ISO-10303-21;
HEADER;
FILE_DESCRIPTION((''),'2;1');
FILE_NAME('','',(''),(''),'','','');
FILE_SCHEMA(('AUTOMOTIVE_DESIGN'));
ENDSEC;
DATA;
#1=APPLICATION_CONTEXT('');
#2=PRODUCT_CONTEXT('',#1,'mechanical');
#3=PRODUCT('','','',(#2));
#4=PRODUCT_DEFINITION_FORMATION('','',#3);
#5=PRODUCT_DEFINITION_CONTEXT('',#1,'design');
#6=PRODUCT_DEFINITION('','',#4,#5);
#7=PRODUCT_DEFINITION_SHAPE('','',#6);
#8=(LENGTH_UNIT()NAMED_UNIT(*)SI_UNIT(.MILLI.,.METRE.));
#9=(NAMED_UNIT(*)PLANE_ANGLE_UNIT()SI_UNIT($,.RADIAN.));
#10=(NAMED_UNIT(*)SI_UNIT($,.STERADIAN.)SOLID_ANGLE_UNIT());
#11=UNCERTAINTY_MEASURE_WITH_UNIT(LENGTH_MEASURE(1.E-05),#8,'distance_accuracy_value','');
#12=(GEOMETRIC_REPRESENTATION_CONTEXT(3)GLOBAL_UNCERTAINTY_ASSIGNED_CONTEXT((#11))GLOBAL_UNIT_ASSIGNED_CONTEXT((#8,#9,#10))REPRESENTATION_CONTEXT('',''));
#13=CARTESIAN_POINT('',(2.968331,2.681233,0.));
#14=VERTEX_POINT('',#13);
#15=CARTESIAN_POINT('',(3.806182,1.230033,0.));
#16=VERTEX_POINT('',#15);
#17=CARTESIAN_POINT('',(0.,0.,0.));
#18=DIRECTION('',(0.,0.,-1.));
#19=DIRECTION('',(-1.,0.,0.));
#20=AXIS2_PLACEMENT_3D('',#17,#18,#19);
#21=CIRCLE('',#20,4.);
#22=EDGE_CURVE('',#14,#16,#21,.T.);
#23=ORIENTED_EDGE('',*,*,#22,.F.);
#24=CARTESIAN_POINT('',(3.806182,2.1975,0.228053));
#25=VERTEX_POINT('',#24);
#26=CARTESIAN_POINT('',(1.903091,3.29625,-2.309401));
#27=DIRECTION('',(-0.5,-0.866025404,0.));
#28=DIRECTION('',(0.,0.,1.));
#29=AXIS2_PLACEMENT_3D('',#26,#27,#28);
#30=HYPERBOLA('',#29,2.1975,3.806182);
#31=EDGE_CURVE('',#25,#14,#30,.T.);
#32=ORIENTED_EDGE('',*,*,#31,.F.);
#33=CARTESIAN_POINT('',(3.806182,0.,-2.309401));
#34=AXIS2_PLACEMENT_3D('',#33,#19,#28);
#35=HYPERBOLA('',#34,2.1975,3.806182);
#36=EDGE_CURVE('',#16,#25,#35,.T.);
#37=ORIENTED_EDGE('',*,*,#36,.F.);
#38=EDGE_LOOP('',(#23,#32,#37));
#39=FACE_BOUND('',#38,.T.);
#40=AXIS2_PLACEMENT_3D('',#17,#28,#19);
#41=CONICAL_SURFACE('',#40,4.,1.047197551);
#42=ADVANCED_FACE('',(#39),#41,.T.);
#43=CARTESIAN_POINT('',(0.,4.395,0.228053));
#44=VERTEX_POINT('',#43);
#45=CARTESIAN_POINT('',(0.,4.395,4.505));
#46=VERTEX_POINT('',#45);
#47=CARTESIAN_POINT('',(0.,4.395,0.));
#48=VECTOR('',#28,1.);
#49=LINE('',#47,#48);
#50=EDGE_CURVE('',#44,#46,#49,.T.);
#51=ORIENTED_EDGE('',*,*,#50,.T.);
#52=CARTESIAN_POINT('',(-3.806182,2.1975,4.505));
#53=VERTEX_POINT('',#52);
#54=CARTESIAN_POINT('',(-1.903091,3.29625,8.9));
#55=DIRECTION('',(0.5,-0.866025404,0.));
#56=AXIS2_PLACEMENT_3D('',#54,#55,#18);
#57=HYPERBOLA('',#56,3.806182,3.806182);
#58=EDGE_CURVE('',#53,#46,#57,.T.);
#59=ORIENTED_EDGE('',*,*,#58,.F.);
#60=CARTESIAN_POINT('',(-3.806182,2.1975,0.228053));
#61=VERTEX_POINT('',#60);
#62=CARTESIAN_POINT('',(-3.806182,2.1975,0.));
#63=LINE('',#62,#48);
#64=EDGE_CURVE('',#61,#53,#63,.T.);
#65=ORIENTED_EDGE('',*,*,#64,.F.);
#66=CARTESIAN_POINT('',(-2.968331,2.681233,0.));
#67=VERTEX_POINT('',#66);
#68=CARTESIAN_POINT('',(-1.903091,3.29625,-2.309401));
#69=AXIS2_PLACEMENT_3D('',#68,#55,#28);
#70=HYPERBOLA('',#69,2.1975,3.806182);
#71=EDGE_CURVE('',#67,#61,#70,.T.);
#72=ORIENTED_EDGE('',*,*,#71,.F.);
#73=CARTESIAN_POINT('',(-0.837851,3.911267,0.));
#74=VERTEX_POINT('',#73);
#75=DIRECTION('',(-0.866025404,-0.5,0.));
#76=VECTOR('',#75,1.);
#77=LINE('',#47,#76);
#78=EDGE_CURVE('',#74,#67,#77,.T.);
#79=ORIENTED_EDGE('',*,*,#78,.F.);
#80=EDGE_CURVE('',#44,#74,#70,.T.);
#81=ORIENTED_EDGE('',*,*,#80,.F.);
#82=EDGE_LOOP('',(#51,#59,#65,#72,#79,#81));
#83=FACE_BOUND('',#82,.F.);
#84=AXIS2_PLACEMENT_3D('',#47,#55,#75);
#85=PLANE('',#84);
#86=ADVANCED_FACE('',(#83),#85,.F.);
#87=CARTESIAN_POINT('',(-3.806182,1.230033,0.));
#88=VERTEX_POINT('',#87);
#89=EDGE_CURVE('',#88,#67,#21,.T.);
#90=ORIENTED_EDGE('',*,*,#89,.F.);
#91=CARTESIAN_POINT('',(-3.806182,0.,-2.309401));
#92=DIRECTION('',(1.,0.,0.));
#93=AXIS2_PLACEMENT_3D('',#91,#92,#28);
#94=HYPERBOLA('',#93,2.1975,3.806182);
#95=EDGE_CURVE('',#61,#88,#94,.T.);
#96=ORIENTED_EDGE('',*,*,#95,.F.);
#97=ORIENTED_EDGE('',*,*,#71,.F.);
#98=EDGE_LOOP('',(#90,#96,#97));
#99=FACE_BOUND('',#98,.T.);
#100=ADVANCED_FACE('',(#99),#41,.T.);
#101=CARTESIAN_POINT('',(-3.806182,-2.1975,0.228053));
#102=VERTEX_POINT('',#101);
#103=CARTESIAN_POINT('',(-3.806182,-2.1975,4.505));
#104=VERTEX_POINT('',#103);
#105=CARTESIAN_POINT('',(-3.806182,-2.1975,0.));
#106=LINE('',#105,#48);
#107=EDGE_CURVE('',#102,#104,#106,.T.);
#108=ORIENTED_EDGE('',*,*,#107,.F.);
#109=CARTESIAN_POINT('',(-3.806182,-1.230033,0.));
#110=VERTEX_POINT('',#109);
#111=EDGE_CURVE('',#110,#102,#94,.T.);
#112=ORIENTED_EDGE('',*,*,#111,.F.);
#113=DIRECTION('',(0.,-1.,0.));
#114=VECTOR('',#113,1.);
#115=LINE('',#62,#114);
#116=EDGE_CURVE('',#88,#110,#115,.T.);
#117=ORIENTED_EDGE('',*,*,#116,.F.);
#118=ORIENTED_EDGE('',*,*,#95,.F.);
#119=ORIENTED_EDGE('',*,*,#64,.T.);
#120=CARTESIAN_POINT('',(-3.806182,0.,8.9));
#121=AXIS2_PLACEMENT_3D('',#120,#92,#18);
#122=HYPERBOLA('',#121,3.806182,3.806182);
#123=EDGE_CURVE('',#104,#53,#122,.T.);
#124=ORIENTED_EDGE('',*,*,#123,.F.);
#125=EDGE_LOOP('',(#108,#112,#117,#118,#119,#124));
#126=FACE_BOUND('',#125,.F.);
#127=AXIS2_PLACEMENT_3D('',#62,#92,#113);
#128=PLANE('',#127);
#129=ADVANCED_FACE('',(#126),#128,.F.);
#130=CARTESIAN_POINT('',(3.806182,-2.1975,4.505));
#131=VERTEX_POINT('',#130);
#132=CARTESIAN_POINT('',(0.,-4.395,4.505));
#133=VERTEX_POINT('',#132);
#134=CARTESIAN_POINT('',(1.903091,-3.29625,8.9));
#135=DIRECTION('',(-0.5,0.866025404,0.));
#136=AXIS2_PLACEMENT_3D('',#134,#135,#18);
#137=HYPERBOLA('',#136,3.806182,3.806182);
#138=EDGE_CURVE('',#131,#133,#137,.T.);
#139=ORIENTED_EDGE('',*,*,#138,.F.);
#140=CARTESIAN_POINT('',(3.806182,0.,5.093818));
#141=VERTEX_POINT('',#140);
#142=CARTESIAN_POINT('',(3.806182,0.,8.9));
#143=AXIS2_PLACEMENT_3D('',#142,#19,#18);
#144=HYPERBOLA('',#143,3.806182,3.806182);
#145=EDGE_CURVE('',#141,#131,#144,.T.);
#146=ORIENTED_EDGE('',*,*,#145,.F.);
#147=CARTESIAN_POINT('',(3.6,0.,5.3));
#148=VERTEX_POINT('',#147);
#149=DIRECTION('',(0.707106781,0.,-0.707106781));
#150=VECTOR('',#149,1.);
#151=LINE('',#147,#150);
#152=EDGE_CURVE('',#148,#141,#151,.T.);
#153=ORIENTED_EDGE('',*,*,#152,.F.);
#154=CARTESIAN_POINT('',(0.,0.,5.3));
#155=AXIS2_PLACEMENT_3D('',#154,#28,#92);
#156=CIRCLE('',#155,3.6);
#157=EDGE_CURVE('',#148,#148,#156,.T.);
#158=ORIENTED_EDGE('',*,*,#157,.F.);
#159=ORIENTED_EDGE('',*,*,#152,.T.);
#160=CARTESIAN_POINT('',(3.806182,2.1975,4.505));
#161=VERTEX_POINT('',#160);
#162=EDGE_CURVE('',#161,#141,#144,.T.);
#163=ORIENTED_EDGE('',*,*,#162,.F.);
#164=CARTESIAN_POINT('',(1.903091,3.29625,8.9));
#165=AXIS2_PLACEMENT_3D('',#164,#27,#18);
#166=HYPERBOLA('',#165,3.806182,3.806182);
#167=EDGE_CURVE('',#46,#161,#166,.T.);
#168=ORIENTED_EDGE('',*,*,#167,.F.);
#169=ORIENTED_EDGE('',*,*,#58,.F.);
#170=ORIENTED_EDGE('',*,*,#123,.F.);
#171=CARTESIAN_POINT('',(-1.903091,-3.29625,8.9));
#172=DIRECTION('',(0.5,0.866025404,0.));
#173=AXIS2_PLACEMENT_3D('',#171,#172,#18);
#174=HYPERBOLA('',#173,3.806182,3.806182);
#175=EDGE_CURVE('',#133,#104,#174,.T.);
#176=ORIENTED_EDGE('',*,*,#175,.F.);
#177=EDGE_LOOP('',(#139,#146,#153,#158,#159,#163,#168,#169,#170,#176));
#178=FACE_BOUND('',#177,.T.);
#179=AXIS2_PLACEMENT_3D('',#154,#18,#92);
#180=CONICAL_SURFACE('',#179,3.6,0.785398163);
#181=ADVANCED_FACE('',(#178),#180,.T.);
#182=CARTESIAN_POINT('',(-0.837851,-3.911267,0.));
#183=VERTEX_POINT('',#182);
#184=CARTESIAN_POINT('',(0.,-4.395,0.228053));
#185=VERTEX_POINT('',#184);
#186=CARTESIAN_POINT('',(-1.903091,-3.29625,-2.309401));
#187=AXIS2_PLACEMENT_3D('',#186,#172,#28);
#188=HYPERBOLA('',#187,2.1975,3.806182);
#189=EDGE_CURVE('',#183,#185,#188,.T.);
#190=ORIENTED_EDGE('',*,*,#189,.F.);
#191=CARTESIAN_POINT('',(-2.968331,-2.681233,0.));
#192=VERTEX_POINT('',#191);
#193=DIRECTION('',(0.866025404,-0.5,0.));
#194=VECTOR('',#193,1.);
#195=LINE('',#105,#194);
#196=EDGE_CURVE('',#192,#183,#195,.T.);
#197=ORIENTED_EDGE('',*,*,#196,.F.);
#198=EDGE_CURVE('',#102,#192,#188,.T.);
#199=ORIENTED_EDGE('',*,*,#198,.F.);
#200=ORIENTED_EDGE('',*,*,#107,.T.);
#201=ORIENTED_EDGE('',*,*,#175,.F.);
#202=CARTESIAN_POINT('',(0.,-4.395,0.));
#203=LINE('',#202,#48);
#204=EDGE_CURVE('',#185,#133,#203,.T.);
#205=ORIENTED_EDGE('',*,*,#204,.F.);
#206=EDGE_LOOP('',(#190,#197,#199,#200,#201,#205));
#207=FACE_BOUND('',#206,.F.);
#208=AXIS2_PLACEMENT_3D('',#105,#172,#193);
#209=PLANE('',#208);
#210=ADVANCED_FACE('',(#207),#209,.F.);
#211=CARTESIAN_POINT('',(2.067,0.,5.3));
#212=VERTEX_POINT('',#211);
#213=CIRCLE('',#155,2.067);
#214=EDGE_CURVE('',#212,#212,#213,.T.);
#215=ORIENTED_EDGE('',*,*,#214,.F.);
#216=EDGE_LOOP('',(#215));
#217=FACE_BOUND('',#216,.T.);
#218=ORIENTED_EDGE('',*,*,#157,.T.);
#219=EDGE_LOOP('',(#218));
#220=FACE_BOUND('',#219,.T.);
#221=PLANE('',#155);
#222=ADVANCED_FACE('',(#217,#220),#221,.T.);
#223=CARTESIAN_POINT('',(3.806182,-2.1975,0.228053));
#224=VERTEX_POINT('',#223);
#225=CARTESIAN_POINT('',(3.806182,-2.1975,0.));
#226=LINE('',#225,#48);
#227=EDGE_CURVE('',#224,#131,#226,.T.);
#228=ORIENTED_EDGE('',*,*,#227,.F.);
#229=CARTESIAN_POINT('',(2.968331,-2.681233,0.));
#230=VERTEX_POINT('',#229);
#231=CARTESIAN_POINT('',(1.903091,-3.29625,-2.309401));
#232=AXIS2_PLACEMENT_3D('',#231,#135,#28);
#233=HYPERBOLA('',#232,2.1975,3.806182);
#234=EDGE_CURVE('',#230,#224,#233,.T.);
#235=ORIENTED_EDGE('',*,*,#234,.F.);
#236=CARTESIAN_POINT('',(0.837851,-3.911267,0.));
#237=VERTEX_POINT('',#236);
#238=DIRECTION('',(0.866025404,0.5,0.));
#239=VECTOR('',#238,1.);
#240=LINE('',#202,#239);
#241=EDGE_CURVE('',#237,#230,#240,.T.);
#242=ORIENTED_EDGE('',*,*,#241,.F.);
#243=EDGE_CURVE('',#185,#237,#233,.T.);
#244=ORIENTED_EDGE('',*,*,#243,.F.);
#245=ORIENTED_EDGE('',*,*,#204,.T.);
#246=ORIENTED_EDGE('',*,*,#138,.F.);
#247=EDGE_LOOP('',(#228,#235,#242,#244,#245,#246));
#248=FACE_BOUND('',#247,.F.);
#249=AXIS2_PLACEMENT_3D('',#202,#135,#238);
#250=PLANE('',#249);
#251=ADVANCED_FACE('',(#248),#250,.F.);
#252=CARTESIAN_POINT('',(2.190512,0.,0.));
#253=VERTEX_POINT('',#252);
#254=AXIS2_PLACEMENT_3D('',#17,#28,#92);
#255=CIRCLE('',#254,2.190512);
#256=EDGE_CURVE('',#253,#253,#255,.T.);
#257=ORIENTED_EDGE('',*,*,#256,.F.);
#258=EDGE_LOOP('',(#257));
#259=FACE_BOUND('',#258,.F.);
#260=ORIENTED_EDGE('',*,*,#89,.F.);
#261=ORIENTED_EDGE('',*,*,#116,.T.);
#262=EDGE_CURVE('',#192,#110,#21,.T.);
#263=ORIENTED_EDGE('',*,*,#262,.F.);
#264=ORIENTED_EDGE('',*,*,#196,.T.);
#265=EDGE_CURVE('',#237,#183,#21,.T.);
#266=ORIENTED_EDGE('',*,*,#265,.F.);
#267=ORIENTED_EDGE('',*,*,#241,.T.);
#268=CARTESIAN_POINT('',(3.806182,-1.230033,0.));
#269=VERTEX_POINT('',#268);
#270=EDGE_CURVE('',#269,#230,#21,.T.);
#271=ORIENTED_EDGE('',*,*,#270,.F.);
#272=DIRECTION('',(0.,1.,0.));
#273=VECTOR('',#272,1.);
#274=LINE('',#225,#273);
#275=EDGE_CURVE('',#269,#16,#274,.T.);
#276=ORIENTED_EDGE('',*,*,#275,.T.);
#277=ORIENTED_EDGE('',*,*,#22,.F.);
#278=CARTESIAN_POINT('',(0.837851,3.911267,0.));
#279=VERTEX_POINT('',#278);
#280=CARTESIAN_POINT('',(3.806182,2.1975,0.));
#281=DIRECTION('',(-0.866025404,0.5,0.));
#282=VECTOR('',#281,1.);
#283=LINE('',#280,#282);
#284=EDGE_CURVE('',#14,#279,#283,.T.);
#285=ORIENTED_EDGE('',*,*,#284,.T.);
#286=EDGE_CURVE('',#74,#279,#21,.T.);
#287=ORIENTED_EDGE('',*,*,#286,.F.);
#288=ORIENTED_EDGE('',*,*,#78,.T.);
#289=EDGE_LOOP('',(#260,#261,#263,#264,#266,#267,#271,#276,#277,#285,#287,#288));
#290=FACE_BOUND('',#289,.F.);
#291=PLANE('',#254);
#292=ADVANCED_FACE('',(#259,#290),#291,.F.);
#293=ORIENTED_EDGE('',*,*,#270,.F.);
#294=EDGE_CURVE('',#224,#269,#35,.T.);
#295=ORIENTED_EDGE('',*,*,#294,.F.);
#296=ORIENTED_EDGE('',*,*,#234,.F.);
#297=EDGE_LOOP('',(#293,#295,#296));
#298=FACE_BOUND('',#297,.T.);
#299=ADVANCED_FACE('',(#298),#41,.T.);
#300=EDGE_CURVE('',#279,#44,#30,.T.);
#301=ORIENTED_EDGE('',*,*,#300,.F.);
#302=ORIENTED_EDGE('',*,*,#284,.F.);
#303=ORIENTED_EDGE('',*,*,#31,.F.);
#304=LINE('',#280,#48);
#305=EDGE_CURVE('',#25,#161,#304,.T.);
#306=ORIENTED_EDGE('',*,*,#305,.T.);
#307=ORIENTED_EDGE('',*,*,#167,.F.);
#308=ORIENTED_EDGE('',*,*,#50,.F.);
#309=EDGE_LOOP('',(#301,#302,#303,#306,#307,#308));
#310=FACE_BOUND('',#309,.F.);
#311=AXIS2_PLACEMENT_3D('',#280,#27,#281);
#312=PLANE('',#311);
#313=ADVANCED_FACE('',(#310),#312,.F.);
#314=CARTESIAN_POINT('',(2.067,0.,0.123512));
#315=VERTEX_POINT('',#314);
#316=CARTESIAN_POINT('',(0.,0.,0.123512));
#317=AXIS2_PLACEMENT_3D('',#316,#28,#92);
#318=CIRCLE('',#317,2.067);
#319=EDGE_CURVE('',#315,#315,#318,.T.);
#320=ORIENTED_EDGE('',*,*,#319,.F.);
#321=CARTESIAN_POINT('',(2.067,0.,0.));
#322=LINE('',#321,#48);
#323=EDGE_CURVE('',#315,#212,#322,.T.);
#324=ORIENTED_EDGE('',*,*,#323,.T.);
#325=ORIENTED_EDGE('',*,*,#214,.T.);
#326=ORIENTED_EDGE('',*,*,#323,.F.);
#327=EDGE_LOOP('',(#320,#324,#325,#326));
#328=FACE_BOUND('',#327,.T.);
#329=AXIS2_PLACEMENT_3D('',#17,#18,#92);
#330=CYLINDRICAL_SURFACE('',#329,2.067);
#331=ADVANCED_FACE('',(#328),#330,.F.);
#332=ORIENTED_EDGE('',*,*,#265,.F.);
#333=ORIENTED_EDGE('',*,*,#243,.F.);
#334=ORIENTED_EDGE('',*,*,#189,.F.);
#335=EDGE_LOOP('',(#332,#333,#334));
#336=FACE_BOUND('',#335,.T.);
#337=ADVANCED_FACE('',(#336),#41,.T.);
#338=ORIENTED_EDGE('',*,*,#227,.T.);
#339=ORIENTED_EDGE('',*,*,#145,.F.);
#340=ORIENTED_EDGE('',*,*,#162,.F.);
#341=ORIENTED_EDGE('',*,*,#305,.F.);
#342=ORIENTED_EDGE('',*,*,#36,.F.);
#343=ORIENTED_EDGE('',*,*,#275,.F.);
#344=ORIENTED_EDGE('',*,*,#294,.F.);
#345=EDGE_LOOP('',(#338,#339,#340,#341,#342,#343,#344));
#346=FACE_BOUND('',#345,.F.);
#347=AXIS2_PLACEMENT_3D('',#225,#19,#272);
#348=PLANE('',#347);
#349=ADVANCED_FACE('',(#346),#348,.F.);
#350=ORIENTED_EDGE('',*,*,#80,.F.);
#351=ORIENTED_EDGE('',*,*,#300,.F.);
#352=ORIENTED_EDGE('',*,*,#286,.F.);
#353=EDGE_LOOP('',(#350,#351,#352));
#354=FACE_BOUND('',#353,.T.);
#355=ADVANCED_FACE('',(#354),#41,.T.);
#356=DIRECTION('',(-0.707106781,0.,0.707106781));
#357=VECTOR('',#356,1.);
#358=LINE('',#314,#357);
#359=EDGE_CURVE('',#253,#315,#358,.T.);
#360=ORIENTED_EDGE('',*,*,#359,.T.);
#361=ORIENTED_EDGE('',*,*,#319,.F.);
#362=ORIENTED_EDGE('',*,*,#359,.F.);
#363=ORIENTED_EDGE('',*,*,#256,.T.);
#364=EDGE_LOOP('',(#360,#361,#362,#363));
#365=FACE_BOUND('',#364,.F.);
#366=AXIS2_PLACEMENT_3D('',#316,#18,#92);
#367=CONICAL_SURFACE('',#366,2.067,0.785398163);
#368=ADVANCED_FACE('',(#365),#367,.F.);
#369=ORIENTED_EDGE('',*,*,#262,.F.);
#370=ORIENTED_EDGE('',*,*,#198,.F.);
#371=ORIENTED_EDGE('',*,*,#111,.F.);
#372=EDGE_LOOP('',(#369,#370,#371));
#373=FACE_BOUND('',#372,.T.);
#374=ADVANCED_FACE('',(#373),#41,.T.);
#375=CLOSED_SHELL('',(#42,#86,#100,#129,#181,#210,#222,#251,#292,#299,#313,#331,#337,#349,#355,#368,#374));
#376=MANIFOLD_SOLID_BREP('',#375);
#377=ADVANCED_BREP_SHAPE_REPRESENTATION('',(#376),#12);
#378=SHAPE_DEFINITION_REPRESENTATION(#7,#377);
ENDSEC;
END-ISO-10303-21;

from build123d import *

# Parameters (mm, degrees)
SKETCH_1_R          = 2.067
EXTRUDE_552_DEPTH   = 5.3
SKETCH_2_OUTSIDE_W  = 42.884
SKETCH_2_OUTSIDE_H  = 44.062
SKETCH_2_OUTSIDE_R  = 4
CUT_EXTRUDE_1_DEPTH = 8.867213214
CUT_EXTRUDE_1_DRAFT = -60
CHAMFER_1_SIZE      = 0.123511905
SKETCH_9_OUTSIDE_W  = 29.902
SKETCH_9_OUTSIDE_H  = 31.08
SKETCH_9_OUTSIDE_R  = 3.6
CUT_EXTRUDE_7_DEPTH = 8.867213214
CUT_EXTRUDE_7_DRAFT = -45


with BuildPart() as part:
    # 草图1 → Extrude 552 (new body)
    with BuildSketch(Plane.XY):
        Polygon((0, 4.395), (-3.80618165, 2.1975), (-3.80618165, -2.1975), (0, -4.395), (3.80618165, -2.1975), (3.80618165, 2.1975), align=None)
        Circle(SKETCH_1_R, mode=Mode.SUBTRACT)
    extrude(amount=EXTRUDE_552_DEPTH)


with BuildPart() as cut_extrude_1_tool:
    # 草图2 outside → 切除-拉伸1 (with draft: the straight prism first)
    with BuildSketch(Plane(origin=(0, 0, 0), x_dir=(-1, 0, 0), z_dir=(0, 0, -1))):
        Rectangle(SKETCH_2_OUTSIDE_W, SKETCH_2_OUTSIDE_H)
        Circle(SKETCH_2_OUTSIDE_R, mode=Mode.SUBTRACT)
    extrude(amount=-CUT_EXTRUDE_1_DEPTH)
    # 切除-拉伸1: the draft: its side faces are tilted about the plane it starts from
    cut_extrude_1_sides = [cut_extrude_1_tool.faces().sort_by_distance(p)[0] for p in [
        (0, -22.031, 4.433606607),
        (-21.442, 0, 4.433606607),
        (0, 22.031, 4.433606607),
        (21.442, 0, 4.433606607),
        (4, 0, 4.433606607),
    ]]
    draft(cut_extrude_1_sides, Plane(origin=(0, 0, 0), x_dir=(-1, 0, 0), z_dir=(0, 0, -1)), CUT_EXTRUDE_1_DRAFT)


with BuildPart() as part_1:
    add(part.part)

    # 切除-拉伸1: cut by cut_extrude_1_tool
    add(cut_extrude_1_tool.part, mode=Mode.SUBTRACT)

    # 倒角1
    chamfer_1_edges = [part_1.edges().sort_by_distance(p)[0] for p in [
        (-2.067, 0, 0),
    ]]
    chamfer(chamfer_1_edges, length=CHAMFER_1_SIZE)


with BuildPart() as cut_extrude_7_tool:
    # 草图9 outside → 切除-拉伸7 (with draft: the straight prism first)
    with BuildSketch(Plane.XY.offset(5.3)):
        Rectangle(SKETCH_9_OUTSIDE_W, SKETCH_9_OUTSIDE_H)
        Circle(SKETCH_9_OUTSIDE_R, mode=Mode.SUBTRACT)
    extrude(amount=-CUT_EXTRUDE_7_DEPTH)
    # 切除-拉伸7: the draft: its side faces are tilted about the plane it starts from
    cut_extrude_7_sides = [cut_extrude_7_tool.faces().sort_by_distance(p)[0] for p in [
        (0, -15.54, 0.866393393),
        (14.951, 0, 0.866393393),
        (0, 15.54, 0.866393393),
        (-14.951, 0, 0.866393393),
        (-3.6, 0, 0.866393393),
    ]]
    draft(cut_extrude_7_sides, Plane.XY.offset(5.3), CUT_EXTRUDE_7_DRAFT)


with BuildPart() as part_2:
    add(part_1.part)

    # 切除-拉伸7: cut by cut_extrude_7_tool
    add(cut_extrude_7_tool.part, mode=Mode.SUBTRACT)


solid = part_2.part
